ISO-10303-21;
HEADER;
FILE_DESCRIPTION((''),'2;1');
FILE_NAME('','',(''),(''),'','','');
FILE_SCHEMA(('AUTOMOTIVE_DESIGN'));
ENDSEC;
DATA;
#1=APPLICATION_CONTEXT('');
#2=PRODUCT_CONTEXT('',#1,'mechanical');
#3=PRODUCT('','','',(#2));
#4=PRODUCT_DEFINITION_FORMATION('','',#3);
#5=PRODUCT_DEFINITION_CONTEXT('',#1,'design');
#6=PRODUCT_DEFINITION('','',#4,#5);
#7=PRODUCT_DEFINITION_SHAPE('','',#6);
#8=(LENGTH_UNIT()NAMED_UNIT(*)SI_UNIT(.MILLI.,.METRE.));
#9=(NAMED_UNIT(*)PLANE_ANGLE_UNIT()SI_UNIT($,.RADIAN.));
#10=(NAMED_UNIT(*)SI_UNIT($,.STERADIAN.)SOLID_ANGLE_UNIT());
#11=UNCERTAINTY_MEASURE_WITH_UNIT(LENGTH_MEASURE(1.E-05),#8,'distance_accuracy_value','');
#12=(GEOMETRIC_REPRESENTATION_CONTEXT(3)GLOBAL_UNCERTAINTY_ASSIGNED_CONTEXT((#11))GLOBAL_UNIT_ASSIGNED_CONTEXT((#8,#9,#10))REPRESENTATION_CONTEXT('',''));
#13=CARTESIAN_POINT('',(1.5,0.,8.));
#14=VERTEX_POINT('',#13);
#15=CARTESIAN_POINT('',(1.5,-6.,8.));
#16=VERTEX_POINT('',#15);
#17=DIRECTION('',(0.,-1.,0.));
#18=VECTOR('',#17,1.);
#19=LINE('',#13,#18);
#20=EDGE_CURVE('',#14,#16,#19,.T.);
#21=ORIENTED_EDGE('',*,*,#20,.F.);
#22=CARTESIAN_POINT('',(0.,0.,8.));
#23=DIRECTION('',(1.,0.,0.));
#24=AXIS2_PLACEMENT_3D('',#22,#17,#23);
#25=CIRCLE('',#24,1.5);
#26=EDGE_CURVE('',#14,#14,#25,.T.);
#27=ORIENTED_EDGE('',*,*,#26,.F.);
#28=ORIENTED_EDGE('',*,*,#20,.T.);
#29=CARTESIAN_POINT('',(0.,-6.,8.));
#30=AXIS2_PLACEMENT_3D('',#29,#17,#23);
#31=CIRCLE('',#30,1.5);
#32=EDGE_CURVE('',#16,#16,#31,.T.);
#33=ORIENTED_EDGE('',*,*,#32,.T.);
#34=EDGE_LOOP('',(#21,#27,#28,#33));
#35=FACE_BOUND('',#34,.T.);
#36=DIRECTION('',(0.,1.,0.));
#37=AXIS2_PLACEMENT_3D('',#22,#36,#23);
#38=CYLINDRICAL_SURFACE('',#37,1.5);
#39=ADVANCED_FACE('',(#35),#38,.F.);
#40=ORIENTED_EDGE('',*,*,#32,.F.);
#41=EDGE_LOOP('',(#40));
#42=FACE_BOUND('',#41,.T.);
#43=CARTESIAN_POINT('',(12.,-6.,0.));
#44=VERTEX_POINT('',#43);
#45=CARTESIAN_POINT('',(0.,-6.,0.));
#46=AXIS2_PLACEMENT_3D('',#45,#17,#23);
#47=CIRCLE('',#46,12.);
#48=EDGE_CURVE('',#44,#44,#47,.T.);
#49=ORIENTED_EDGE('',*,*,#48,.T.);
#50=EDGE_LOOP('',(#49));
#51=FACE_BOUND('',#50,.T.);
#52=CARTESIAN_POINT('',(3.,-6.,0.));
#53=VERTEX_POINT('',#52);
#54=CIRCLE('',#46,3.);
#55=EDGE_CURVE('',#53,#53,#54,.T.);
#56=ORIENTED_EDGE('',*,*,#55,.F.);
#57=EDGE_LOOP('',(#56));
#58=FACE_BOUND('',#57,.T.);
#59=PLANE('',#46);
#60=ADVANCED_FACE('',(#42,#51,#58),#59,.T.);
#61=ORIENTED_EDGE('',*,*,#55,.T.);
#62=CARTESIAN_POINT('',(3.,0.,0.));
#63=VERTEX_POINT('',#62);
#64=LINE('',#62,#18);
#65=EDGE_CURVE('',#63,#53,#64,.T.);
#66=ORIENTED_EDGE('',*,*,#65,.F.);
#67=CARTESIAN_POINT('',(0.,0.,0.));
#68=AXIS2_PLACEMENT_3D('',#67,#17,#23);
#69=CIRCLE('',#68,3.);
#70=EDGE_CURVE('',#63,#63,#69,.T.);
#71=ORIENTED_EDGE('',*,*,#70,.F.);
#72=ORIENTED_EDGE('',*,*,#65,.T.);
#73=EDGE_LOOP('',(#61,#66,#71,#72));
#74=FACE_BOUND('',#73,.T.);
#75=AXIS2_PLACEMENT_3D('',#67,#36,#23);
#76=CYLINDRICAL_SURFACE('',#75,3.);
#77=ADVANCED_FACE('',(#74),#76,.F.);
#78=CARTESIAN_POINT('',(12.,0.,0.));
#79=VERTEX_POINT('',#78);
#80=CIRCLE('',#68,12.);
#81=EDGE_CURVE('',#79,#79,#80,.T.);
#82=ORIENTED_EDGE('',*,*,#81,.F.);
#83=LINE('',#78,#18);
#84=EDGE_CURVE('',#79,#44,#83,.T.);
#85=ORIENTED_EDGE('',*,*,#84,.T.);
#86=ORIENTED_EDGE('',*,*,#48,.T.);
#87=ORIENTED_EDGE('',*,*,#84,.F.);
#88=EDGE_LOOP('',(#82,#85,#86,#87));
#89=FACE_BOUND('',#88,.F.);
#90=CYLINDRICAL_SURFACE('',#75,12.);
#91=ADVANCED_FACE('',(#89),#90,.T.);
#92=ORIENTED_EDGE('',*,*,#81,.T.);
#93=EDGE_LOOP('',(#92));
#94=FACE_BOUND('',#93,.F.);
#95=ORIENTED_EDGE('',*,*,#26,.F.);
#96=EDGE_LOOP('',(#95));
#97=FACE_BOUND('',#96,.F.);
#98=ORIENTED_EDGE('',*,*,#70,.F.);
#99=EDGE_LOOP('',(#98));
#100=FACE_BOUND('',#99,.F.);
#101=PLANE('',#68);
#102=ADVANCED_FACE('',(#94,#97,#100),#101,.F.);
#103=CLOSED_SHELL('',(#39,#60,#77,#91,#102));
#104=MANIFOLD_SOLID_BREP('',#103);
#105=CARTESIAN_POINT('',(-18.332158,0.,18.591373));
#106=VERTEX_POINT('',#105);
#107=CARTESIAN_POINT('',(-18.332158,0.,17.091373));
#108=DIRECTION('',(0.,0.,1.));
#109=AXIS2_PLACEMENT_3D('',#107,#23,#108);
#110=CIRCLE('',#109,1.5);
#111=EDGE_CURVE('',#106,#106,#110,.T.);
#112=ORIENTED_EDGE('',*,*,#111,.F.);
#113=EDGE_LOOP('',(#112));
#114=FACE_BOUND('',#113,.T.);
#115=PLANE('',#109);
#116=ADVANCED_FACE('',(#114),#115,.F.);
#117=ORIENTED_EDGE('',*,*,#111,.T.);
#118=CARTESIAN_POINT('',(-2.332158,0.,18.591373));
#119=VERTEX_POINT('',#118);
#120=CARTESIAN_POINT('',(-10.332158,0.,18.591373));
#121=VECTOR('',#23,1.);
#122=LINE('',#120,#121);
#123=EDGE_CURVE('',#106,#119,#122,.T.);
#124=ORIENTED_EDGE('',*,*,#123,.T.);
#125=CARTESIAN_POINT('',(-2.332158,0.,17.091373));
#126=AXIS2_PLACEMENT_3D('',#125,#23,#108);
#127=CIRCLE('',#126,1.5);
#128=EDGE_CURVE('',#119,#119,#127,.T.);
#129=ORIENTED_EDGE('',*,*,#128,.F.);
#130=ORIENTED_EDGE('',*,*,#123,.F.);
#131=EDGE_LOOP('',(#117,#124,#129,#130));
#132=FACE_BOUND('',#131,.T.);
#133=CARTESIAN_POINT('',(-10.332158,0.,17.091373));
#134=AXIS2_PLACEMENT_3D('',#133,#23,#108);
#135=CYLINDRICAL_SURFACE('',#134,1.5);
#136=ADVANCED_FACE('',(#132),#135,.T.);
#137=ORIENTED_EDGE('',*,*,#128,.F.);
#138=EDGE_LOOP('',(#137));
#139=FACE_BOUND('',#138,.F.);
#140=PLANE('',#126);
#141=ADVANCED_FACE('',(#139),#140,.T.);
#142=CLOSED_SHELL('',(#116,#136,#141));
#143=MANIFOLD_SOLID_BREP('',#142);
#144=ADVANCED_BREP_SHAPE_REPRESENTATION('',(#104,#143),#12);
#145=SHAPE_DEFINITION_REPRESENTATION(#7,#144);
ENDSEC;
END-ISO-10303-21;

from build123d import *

# Parameters (mm, degrees)
F0_R     = 12
F0_R_2   = 3
F0_R_3   = 1.5
F1_DEPTH = 6
F0_W     = 16
F0_H     = 1.5


with BuildPart() as f1:
    # F0 (on Front) → F1 (new body)
    with BuildSketch(Plane.XZ):
        Circle(F0_R)
        Circle(F0_R_2, mode=Mode.SUBTRACT)
        with Locations((0, 8)):
            Circle(F0_R_3, mode=Mode.SUBTRACT)
    extrude(amount=F1_DEPTH)


with BuildPart() as f2:
    # F0 (on Front) → F2 (revolve)
    with BuildSketch(Plane.XZ):
        with Locations((-10.332158, 17.841373)):
            Rectangle(F0_W, F0_H)
    revolve(axis=Axis((-10.332158, 0, 17.091373), (1, 0, 0)))


solid = Compound([f1.part, f2.part])
